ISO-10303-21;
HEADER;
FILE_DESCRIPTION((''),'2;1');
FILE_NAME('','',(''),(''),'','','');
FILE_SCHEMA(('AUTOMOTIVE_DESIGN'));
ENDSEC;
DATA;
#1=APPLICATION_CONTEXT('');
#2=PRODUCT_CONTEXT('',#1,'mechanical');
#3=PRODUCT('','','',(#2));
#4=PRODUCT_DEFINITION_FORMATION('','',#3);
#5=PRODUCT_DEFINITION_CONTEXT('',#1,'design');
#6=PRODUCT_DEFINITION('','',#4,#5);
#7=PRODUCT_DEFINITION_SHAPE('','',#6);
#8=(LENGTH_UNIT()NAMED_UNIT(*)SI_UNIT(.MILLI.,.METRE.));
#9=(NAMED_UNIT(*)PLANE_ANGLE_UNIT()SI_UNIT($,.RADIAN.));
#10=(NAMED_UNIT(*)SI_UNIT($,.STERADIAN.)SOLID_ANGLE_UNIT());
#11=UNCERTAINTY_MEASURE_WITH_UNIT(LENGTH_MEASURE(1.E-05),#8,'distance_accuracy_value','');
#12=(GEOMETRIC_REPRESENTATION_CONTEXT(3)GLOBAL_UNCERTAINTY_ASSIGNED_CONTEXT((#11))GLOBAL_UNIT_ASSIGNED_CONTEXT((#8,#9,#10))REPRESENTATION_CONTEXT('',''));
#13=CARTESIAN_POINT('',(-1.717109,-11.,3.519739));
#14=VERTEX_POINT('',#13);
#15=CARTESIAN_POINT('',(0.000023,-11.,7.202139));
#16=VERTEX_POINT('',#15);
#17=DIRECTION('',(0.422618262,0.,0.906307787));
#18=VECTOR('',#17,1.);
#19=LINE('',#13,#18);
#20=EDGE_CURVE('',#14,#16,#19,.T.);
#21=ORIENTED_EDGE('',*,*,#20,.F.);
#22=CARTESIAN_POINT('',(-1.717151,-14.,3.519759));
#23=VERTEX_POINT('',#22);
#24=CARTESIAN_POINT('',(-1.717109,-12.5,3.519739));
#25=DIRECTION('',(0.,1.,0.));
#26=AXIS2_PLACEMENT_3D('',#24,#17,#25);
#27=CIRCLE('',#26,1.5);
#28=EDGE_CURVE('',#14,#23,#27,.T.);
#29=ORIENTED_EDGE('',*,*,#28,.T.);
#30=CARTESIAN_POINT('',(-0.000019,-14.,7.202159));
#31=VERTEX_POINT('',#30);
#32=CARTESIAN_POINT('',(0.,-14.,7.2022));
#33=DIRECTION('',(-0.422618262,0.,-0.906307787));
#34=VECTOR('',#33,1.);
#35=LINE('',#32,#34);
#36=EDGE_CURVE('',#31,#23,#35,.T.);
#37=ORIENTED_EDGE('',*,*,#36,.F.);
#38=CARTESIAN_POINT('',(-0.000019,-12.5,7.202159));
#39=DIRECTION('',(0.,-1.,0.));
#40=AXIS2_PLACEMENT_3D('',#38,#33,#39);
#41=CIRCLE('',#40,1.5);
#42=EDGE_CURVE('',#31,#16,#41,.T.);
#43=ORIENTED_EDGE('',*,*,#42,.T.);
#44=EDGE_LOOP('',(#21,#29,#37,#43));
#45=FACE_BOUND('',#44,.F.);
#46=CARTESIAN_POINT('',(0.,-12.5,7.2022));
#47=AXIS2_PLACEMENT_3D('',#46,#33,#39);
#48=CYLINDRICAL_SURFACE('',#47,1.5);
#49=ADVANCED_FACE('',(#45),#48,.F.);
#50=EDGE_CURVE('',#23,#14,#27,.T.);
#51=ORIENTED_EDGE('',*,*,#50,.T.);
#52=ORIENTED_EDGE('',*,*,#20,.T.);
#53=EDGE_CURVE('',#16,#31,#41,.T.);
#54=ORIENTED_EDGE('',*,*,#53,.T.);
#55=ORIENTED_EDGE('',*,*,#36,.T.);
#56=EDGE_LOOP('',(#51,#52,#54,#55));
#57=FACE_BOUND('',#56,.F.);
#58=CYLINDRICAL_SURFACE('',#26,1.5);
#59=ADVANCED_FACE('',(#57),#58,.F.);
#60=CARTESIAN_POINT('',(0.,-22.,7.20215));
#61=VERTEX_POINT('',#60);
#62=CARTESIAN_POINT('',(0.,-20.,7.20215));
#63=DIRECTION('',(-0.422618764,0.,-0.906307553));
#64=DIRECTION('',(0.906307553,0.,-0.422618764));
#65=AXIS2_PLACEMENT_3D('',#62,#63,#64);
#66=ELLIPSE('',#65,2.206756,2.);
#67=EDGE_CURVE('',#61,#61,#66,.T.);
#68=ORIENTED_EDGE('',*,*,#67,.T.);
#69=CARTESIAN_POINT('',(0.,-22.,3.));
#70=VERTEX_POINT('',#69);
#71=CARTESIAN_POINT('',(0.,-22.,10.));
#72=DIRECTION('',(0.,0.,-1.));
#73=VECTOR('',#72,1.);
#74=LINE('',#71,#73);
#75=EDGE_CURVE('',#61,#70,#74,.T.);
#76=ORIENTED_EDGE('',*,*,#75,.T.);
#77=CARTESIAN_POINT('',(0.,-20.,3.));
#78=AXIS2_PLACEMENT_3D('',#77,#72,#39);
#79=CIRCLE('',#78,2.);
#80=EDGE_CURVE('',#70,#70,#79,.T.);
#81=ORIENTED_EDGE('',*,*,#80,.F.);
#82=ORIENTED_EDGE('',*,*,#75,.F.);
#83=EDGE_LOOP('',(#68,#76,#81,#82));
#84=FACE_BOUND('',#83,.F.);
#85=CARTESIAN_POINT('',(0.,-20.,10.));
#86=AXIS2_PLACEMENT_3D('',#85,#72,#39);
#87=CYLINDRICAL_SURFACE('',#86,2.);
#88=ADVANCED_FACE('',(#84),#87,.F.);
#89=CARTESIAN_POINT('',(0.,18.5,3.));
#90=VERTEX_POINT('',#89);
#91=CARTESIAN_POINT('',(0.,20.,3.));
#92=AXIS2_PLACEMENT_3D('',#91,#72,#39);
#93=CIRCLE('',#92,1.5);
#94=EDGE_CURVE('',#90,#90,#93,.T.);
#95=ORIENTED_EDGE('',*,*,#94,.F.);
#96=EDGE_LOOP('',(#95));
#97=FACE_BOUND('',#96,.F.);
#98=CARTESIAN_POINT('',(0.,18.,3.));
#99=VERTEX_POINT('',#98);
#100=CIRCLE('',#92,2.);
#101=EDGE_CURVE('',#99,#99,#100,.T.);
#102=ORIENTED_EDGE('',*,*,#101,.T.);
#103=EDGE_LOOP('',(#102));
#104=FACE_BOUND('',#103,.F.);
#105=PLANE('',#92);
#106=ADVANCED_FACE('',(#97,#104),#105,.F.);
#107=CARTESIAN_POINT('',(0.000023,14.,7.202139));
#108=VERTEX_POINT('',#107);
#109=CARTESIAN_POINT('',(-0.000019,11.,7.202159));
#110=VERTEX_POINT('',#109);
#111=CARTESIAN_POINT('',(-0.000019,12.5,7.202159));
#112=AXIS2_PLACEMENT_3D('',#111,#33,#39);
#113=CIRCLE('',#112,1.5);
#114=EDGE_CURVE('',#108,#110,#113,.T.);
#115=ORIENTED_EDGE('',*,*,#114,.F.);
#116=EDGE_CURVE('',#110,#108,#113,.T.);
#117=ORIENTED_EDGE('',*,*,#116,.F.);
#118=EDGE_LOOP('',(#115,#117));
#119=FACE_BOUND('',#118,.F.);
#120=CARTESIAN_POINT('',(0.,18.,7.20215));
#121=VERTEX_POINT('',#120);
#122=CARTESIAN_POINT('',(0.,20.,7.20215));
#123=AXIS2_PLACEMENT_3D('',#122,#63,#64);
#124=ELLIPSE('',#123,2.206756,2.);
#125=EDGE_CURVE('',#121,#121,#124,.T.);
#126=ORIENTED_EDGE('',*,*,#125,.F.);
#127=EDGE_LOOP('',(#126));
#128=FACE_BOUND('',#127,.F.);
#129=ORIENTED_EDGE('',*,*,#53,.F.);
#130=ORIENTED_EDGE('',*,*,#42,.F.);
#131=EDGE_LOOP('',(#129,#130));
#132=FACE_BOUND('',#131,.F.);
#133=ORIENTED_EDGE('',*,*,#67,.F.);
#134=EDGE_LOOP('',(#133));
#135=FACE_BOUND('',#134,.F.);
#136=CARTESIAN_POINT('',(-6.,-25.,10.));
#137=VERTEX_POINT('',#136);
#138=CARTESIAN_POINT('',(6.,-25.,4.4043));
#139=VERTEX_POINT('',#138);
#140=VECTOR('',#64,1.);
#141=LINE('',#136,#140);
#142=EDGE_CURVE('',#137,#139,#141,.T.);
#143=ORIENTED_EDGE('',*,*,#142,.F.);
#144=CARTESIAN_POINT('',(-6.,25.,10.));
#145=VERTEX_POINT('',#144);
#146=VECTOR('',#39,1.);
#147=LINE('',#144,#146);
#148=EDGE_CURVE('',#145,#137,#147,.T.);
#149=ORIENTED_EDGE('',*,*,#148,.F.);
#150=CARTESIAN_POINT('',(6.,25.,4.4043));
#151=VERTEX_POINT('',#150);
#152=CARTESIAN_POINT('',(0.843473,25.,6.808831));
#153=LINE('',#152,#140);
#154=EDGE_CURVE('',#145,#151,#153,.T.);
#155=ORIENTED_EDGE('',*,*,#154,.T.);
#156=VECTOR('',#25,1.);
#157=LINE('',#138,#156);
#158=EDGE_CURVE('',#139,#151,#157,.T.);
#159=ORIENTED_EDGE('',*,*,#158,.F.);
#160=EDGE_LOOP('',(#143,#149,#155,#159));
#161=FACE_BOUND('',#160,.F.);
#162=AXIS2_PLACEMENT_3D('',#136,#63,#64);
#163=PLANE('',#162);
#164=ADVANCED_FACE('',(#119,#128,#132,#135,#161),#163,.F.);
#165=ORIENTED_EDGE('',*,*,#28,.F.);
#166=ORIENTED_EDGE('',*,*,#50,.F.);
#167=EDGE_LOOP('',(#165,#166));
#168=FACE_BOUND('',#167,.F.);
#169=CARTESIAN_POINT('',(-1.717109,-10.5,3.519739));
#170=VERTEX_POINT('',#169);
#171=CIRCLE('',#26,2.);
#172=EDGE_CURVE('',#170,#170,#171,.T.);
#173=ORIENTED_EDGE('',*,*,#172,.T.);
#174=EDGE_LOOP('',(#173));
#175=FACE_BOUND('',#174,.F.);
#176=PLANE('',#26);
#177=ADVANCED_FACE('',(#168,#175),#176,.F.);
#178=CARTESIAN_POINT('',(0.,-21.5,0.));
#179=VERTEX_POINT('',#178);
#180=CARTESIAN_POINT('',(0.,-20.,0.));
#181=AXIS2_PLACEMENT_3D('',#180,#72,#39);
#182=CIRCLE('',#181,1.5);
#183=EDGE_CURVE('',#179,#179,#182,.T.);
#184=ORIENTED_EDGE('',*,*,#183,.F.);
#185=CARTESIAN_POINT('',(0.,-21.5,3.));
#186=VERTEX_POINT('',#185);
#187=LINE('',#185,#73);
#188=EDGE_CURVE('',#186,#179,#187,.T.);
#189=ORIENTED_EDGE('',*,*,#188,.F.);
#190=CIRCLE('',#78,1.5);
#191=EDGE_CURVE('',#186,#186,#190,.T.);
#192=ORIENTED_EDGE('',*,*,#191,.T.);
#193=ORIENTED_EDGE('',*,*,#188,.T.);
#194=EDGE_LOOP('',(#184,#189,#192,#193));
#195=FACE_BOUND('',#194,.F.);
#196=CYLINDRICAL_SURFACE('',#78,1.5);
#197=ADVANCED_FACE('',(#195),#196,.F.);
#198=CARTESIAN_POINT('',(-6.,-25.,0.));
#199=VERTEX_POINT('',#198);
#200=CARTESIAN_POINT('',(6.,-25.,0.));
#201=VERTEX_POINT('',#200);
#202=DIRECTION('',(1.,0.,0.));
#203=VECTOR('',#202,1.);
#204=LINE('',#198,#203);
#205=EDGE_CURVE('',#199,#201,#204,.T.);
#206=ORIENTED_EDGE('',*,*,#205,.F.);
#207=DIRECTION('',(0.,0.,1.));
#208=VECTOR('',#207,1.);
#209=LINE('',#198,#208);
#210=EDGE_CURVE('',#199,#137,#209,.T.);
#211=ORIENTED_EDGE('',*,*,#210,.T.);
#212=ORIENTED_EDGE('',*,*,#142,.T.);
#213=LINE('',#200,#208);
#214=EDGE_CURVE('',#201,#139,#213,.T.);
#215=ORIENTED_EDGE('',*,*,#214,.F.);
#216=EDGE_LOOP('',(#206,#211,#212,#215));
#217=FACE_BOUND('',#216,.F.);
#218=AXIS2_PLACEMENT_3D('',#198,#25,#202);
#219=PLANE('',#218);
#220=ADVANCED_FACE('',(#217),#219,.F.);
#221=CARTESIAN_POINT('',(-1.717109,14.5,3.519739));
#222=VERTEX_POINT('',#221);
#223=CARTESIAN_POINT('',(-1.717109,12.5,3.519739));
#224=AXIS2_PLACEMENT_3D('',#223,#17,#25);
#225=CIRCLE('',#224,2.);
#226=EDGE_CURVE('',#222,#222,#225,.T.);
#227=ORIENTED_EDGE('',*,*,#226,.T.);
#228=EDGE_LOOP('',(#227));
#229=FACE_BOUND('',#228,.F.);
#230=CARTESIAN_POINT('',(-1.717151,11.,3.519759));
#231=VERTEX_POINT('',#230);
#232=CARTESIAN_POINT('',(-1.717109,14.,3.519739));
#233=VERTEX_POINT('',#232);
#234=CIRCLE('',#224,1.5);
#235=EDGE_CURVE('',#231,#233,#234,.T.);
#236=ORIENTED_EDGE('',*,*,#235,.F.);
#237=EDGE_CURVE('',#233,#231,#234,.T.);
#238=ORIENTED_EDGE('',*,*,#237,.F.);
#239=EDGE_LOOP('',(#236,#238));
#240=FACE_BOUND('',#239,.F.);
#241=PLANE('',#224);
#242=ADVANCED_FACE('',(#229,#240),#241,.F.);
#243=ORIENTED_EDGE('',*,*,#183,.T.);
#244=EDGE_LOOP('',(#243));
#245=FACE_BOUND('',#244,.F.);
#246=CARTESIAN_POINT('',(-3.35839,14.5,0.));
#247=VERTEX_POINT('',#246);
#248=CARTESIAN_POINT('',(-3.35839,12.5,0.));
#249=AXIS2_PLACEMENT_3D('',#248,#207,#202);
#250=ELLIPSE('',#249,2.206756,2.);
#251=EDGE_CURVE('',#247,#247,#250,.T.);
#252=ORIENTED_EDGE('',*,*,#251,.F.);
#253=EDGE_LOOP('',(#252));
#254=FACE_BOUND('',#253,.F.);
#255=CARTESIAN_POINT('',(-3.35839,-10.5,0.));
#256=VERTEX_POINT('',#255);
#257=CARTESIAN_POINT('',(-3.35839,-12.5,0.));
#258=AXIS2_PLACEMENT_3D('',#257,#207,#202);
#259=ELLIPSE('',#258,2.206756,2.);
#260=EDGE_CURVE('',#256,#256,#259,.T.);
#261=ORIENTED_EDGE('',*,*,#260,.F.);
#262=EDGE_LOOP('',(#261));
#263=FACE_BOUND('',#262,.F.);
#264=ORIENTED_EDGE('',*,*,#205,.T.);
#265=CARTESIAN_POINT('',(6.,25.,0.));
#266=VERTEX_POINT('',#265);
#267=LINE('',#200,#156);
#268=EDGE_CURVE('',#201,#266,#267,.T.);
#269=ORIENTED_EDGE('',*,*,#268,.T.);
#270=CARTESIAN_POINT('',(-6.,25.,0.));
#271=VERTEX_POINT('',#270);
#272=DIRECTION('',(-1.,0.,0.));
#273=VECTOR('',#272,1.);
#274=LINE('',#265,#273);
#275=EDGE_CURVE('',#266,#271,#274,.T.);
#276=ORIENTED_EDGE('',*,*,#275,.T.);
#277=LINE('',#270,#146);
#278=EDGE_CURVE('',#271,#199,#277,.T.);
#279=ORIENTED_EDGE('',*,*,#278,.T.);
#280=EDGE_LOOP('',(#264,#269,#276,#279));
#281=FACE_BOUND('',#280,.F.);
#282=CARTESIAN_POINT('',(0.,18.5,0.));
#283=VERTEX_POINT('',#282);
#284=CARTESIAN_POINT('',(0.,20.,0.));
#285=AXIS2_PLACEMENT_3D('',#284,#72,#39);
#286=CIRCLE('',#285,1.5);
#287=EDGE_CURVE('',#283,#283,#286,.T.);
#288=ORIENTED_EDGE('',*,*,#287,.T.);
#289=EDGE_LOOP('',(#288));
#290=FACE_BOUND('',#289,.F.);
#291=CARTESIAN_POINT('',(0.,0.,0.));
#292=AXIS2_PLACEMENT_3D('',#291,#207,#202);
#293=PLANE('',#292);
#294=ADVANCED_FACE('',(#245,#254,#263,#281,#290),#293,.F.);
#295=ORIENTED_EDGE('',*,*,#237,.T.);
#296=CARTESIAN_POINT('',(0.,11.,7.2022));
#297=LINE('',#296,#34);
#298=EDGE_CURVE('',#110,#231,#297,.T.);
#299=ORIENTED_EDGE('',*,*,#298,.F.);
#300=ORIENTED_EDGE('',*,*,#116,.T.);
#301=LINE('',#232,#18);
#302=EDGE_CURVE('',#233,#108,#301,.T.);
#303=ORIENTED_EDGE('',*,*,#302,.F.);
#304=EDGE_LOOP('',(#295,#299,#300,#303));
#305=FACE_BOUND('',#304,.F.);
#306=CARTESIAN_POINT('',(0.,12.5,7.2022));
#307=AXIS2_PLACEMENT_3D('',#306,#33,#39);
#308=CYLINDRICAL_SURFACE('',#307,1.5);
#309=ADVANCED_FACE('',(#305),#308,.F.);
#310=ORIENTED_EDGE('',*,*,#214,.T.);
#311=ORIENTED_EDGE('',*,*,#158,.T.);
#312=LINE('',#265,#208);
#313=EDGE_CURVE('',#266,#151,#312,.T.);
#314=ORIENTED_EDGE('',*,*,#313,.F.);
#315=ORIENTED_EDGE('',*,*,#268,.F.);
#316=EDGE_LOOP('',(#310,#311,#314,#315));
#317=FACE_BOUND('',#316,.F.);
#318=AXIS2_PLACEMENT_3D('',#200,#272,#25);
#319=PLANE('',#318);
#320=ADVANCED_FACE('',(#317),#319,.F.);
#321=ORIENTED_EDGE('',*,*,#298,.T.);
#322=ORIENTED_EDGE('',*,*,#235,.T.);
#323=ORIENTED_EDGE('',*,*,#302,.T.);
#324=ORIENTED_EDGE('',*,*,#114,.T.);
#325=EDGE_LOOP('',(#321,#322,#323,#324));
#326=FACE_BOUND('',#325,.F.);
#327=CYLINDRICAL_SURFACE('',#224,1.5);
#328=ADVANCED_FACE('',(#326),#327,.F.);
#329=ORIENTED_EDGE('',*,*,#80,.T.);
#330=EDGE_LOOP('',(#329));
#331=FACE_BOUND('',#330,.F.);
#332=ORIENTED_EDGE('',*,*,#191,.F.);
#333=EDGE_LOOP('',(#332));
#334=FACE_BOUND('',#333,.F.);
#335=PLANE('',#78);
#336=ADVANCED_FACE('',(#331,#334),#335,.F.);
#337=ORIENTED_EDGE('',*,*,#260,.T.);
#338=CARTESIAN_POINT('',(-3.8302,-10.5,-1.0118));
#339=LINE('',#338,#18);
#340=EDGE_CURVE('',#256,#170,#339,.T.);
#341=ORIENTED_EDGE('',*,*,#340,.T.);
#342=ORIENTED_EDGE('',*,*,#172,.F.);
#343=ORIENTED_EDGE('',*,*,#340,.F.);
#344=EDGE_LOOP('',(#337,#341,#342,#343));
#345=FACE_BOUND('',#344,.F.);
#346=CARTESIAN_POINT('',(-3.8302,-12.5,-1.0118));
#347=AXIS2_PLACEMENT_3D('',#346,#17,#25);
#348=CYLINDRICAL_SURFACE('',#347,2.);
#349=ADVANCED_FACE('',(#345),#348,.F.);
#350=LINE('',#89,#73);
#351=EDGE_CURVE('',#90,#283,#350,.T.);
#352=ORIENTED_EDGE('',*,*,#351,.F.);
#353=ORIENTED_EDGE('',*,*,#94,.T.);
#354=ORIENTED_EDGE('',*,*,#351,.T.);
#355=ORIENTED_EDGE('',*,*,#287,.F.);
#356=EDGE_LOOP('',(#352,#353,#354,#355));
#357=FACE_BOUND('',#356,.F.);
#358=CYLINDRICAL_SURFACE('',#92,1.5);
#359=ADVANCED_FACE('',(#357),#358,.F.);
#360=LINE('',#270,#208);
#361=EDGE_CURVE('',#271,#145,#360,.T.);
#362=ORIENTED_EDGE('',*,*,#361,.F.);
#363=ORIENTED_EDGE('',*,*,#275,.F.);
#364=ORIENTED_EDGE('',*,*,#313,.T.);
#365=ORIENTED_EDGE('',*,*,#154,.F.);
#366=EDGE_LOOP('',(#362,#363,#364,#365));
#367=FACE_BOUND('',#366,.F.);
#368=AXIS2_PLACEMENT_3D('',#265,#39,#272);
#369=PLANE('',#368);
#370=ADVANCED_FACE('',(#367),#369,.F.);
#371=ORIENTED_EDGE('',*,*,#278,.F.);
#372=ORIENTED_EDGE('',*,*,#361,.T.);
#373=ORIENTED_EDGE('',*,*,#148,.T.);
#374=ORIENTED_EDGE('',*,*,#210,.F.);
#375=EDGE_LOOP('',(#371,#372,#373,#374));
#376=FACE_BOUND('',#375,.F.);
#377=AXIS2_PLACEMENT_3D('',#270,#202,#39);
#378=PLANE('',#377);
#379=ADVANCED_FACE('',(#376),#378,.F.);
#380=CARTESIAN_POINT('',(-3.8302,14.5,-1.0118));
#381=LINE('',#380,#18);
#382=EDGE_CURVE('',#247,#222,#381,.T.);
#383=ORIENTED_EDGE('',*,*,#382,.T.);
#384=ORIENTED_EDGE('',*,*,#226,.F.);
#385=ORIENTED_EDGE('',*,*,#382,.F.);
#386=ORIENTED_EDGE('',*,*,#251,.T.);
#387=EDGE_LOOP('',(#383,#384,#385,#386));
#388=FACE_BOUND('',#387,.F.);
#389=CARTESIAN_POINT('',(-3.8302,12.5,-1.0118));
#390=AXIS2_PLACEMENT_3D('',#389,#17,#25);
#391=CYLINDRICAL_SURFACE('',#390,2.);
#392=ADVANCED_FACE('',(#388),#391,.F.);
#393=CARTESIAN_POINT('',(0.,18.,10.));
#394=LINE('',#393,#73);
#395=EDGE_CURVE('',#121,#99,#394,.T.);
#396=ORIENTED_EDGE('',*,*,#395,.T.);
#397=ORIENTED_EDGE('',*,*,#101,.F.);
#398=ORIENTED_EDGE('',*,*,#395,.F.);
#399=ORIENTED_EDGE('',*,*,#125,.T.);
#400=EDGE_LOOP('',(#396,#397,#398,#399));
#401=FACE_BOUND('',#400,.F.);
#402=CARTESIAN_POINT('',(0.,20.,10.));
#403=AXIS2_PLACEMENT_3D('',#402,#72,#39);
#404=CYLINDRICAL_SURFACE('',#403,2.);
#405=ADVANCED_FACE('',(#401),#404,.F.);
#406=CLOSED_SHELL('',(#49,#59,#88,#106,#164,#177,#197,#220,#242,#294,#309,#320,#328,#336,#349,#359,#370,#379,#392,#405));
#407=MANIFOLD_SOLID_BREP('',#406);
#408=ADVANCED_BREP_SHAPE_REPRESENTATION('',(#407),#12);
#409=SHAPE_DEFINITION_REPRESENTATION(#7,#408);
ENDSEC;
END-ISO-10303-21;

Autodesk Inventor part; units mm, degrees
ref_plane "YZ Plane" through (0, 0, 0) normal (1, 0, 0) x (0, 1, 0)
ref_plane "XZ Plane" through (0, 0, 0) normal (0, 1, 0) x (-1, 0, 0)
sketch "Skizze1" plane through (0, 0, 0) normal (0, 0, 1) x (1, 0, 0)
  line L0 (-6, -25) -> (6, -25)
  line L1 (6, -25) -> (6, 25)
  line L2 (6, 25) -> (-6, 25)
  line L3 (-6, 25) -> (-6, -25)
  line L4 (-6, -25) -> (6, 25) construction
  line L5 (6, -25) -> (-6, 25) construction
  line L6 (0, 20) -> (0, -20)
  point P0 (0, 0)
  point P1 (0, 0)
  dimension "d0" = 40
  dimension "d1" = 12
  dimension "d2" = 50
extrude "Extrusion1" add sketch "Skizze1" along normal blind 10
sketch "Skizze3" plane through (0, 0, 10) normal (0, 0, 1) x (1, 0, 0)
  line L0 (-6, -25) -> (6, -25) projected
  line L1 (6, -25) -> (6, 25) projected
  line L2 (6, 25) -> (-6, 25) projected
  line L3 (-6, 25) -> (-6, -25) projected
  point P0 (0, 0)
  point P1 (0, -20)
  point P2 (0, 20)
sketch "Skizze2" plane through (-6, -25, 0) normal (0, -1, 0) x (1, 0, 0)
  line L0 (0, 0) -> (12, 0) projected
  line L1 (12, 0) -> (12, 10) projected
  line L2 (0, 10) -> (12, 10) projected
  line L3 (0, 0) -> (0, 10) projected
  line L4 (0, 10) -> (12, 4.4043)
  point P0 (6, 0)
  dimension "d5" = 25
extrude "Extrusion2" cut sketch "Skizze2" against normal through all contours L2 L1 L4
hole "Bohrung1" at (0, 20, 10) at (0, -20, 10) direction (0, 0, -1) diameter 3 end through all counterbore diameter 4 counterbore depth 7
sketch "Skizze4" plane through (-6, -25, 10) normal (0.4226, 0, 0.9063) x (0.9063, 0, -0.4226)
  ellipse E0 centre (6.6203, 45) end of major axis (8.827, 45) minor radius 2 projected
  ellipse E1 centre (6.6203, 5) end of major axis (8.827, 5) minor radius 2 projected
  line L0 (0, 50) -> (13.2405, 50) projected
  line L1 (0, 50) -> (0, 0) projected
  line L2 (13.2405, 0) -> (0, 0) projected
  line L3 (13.2405, 50) -> (13.2405, 0) projected
  line L4 (6.6203, 12.5) -> (6.6203, 37.5)
  line L5 (0, 50) -> (0, 0) projected
  line L6 (0, 25) -> (13.2405, 25)
  line L7 (13.2405, 50) -> (13.2405, 0) projected
  point P0 (9.664, 25)
  point P1 (6.6203, 25)
  dimension "d15" = 25
hole "Bohrung2" at (0, -12.5, 7.2022) at (0, 12.5, 7.2022) direction (-0.4226, 0, -0.9063) diameter 3 end through all
ref_plane "Arbeitsebene1" through (-6, 25, 0) normal (0.4226, 0, 0.9063) x (0.9063, 0, -0.4226)
sketch "Skizze5" plane through (-6, 25, 0) normal (0.4226, 0, 0.9063) x (0.9063, 0, -0.4226)
  circle A0 centre (2.3941, -37.5) radius 1.5 projected
  circle A1 centre (2.3941, -12.5) radius 1.5 projected
  ellipse E0 centre (2.3941, -5) end of major axis (4.6008, -5) minor radius 2 projected
  ellipse E1 centre (2.3941, -45) end of major axis (4.6008, -45) minor radius 2 projected
  line L0 (-4.2262, 0) -> (9.0144, 0) projected
  line L1 (-4.2262, 0) -> (-4.2262, -50) projected
  line L2 (9.0144, -50) -> (-4.2262, -50) projected
  line L3 (9.0144, 0) -> (9.0144, -50) projected
  point P0 (5.4378, -25)
hole "Bohrung3" at (-3.8302, 12.5, -1.0118) at (-3.8302, -12.5, -1.0118) direction (0.4226, 0, 0.9063) diameter 3 end through all counterbore diameter 4 counterbore depth 5
properties part number "Mount"
